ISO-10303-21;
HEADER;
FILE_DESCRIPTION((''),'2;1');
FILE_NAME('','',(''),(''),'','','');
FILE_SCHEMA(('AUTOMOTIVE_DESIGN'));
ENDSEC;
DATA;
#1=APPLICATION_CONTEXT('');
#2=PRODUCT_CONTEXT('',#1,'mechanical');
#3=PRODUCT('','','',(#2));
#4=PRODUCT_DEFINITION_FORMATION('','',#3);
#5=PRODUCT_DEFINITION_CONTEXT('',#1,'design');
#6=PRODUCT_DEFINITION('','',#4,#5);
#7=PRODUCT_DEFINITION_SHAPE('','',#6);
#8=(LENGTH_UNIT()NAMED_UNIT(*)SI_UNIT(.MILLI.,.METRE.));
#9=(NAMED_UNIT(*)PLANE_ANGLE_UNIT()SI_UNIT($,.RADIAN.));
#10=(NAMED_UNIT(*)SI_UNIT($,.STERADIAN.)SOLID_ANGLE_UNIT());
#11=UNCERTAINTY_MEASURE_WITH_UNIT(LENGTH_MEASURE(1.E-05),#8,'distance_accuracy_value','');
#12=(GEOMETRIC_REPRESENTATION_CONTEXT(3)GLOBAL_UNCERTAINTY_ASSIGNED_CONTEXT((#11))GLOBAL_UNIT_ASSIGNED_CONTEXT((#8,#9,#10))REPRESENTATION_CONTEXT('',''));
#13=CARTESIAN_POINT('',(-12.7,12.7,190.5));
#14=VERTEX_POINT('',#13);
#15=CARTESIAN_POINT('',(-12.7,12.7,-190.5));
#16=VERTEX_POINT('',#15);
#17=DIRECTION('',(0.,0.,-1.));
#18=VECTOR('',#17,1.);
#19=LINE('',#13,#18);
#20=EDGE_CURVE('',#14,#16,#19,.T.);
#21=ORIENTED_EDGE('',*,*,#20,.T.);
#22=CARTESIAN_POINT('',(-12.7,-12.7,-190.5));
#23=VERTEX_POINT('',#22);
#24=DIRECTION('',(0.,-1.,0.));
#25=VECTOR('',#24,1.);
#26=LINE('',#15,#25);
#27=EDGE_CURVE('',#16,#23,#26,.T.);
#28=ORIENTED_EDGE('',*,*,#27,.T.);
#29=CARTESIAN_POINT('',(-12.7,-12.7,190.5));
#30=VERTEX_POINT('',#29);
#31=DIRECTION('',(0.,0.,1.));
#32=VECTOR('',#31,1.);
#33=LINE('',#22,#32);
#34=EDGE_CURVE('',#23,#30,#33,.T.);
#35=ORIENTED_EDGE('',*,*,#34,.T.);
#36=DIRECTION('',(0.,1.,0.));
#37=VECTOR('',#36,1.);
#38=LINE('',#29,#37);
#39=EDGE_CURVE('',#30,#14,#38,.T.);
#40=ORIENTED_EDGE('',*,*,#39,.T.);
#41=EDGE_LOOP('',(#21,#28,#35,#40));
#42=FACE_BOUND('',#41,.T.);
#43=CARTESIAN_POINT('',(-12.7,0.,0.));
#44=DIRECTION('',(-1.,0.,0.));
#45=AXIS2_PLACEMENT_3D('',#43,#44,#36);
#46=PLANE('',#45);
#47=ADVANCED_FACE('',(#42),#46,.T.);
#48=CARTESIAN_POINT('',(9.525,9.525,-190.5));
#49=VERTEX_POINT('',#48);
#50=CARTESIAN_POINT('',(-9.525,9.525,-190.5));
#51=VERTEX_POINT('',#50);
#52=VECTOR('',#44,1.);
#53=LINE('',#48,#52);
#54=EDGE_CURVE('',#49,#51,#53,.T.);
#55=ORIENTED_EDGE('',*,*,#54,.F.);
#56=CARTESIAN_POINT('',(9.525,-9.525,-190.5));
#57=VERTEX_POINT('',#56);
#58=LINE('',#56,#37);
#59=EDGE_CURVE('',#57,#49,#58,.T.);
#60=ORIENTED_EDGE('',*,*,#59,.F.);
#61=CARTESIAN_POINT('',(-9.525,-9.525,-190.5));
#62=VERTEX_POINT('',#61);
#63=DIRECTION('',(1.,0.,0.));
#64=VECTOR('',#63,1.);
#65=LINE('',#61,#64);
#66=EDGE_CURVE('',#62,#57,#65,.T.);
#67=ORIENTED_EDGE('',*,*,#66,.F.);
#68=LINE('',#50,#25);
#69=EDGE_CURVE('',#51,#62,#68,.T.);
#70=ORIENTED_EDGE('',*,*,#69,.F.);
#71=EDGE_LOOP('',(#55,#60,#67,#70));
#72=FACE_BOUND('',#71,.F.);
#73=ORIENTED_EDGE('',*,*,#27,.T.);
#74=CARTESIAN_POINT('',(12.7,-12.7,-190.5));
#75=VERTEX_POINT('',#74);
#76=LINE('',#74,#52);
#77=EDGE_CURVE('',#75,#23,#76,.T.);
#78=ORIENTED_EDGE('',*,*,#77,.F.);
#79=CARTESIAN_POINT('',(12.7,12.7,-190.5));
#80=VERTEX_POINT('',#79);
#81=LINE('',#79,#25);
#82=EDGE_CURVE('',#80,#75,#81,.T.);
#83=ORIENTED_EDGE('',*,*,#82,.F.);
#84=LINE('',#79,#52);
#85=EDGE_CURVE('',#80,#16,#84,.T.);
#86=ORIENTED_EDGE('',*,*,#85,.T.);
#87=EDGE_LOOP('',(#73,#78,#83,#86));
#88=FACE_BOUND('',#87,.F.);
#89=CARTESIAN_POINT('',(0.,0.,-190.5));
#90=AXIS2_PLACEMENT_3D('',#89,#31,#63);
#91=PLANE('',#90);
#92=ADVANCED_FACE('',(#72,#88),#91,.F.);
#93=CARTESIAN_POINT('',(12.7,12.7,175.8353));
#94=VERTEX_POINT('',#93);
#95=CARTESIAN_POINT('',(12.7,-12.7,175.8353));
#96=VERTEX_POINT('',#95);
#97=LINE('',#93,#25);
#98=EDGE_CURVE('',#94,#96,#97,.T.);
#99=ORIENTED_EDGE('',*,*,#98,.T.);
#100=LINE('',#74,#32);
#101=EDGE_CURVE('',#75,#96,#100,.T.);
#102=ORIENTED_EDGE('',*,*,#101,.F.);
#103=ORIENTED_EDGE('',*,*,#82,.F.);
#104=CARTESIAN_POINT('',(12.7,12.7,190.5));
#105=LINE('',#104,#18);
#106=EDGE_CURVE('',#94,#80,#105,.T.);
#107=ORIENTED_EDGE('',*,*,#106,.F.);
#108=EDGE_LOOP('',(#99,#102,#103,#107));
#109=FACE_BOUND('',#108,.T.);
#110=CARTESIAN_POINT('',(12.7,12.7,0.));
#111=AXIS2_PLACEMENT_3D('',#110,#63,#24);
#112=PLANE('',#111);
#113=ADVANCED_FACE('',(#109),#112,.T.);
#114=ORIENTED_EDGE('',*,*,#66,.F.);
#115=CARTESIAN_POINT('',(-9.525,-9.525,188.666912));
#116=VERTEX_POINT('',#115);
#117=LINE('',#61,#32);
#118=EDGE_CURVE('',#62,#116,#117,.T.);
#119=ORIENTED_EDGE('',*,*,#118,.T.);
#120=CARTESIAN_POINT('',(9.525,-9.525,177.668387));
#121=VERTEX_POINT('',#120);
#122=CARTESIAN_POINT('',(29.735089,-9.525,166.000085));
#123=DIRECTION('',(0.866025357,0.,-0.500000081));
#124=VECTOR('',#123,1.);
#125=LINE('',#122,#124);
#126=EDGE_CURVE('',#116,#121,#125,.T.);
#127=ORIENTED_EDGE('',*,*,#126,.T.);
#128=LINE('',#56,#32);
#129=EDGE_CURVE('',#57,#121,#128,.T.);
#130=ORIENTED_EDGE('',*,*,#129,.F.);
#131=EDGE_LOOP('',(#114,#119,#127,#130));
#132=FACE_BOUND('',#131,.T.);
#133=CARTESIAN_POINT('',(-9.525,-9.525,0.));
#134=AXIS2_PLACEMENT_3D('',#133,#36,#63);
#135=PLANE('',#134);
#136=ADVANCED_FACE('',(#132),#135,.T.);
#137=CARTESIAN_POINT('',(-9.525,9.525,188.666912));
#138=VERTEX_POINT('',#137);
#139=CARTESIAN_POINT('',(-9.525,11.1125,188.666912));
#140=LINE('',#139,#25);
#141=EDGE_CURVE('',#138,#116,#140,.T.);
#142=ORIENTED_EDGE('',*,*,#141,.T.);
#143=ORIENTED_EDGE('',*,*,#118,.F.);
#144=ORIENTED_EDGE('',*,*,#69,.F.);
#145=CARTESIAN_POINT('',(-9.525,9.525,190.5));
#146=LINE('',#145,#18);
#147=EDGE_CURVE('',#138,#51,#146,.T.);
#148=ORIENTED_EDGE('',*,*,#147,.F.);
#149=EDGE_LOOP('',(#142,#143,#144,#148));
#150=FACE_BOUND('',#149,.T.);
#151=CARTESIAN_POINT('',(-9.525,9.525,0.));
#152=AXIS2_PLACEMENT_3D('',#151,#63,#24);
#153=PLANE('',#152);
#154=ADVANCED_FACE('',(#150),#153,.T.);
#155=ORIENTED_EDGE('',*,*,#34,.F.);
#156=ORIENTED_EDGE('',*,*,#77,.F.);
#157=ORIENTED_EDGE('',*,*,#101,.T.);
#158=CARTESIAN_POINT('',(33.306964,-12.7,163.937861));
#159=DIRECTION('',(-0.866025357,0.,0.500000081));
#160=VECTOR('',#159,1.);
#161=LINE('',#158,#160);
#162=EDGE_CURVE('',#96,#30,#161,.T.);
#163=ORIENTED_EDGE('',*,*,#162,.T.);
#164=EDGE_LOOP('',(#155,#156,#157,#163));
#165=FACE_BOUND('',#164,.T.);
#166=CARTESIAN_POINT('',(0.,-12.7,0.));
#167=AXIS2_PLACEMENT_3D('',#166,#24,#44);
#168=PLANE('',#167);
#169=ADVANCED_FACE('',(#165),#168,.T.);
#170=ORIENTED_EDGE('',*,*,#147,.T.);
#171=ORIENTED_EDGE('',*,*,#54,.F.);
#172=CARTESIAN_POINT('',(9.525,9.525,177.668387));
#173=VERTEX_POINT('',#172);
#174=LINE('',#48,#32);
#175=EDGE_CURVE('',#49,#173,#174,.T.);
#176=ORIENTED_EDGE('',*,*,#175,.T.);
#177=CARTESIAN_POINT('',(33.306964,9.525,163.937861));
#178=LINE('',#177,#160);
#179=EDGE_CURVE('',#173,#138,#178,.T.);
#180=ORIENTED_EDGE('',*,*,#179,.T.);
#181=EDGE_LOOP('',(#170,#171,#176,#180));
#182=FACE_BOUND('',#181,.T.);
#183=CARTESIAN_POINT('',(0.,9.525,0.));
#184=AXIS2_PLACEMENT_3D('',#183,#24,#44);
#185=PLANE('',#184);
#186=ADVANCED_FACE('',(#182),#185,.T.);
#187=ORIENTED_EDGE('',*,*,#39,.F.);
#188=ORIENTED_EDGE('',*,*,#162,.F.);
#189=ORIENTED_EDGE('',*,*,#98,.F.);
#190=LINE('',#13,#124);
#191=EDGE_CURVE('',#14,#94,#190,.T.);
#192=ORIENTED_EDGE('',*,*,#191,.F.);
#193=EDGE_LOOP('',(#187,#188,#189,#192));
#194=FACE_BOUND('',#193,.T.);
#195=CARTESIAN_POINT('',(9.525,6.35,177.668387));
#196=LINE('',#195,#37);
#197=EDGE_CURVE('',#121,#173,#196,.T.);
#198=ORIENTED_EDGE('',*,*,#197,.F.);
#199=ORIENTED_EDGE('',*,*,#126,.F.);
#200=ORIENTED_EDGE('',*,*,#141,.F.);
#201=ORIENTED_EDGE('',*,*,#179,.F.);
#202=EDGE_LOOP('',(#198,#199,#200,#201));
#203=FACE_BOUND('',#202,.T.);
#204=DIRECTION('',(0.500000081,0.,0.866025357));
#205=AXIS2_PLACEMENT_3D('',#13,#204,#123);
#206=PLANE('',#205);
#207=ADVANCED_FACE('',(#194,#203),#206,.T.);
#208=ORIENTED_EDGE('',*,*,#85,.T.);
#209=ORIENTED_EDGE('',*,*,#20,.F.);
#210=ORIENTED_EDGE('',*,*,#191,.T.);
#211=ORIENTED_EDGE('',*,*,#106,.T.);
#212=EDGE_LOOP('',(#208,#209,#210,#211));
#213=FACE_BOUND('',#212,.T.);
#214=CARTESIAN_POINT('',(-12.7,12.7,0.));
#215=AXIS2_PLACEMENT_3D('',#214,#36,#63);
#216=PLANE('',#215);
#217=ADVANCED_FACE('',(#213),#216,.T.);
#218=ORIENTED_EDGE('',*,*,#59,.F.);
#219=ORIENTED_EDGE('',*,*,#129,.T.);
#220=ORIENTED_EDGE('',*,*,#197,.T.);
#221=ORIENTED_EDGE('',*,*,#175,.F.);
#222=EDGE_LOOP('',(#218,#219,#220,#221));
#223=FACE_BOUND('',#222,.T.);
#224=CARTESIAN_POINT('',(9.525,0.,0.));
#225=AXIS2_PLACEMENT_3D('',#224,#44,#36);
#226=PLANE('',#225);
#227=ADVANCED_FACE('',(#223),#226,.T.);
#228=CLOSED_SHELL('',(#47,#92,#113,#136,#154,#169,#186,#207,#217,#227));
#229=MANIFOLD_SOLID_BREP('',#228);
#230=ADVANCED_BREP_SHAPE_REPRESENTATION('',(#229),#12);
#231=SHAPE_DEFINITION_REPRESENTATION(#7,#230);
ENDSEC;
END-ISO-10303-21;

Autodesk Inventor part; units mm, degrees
ref_plane "YZ Plane" through (0, 0, 0) normal (1, 0, 0) x (0, 1, 0)
ref_plane "XZ Plane" through (0, 0, 0) normal (0, 1, 0) x (-1, 0, 0)
ref_plane "XY Plane" through (0, 0, 0) normal (0, 0, 1) x (1, 0, 0)
sketch "Sketch1" plane through (0, 0, 0) normal (0, 0, 1) x (1, 0, 0)
  line L0 (-17.78, 0) -> (17.78, 0) projected
  line L1 (0, -17.78) -> (0, 17.78) projected
  line L2 (-12.7, 12.7) -> (12.7, 12.7)
  line L3 (12.7, 12.7) -> (12.7, -12.7)
  line L4 (12.7, -12.7) -> (-12.7, -12.7)
  line L5 (-12.7, -12.7) -> (-12.7, 12.7)
  line L6 (9.525, 9.525) -> (-9.525, 9.525)
  line L7 (-9.525, 9.525) -> (-9.525, -9.525)
  line L8 (-9.525, -9.525) -> (9.525, -9.525)
  line L9 (9.525, -9.525) -> (9.525, 9.525)
  point P0 (0, 0)
  point P1 (-12.7, 0)
  point P2 (0, 12.7)
  dimension "d0" = 25.4
  dimension "d1" = 3.175
extrude "Extrusion1" add sketch "Sketch1" along normal mid plane 381 contours L5 L2 L1 L6 L7 L0 | L0 L7 L8 L1 L4 L5 | L1 L8 L9 L0 L3 L4 | L2 L3 L0 L9 L6 L1
sketch "Sketch3" plane through (-12.7, 12.7, 190.5) normal (0, 1, 0) x (1, 0, 0)
  line L0 (0, 0) -> (25.4, 0) projected
  line L1 (25.4, 0) -> (25.4, 381) projected
  line L2 (0, 0) -> (25.4, 14.6647)
  point P0 (12.7, 190.5)
  dimension "d7" = 30
extrude "Extrusion3" cut sketch "Sketch3" against normal through all
properties part number "tubing_template_0.125" material "Aluminum-6061"
